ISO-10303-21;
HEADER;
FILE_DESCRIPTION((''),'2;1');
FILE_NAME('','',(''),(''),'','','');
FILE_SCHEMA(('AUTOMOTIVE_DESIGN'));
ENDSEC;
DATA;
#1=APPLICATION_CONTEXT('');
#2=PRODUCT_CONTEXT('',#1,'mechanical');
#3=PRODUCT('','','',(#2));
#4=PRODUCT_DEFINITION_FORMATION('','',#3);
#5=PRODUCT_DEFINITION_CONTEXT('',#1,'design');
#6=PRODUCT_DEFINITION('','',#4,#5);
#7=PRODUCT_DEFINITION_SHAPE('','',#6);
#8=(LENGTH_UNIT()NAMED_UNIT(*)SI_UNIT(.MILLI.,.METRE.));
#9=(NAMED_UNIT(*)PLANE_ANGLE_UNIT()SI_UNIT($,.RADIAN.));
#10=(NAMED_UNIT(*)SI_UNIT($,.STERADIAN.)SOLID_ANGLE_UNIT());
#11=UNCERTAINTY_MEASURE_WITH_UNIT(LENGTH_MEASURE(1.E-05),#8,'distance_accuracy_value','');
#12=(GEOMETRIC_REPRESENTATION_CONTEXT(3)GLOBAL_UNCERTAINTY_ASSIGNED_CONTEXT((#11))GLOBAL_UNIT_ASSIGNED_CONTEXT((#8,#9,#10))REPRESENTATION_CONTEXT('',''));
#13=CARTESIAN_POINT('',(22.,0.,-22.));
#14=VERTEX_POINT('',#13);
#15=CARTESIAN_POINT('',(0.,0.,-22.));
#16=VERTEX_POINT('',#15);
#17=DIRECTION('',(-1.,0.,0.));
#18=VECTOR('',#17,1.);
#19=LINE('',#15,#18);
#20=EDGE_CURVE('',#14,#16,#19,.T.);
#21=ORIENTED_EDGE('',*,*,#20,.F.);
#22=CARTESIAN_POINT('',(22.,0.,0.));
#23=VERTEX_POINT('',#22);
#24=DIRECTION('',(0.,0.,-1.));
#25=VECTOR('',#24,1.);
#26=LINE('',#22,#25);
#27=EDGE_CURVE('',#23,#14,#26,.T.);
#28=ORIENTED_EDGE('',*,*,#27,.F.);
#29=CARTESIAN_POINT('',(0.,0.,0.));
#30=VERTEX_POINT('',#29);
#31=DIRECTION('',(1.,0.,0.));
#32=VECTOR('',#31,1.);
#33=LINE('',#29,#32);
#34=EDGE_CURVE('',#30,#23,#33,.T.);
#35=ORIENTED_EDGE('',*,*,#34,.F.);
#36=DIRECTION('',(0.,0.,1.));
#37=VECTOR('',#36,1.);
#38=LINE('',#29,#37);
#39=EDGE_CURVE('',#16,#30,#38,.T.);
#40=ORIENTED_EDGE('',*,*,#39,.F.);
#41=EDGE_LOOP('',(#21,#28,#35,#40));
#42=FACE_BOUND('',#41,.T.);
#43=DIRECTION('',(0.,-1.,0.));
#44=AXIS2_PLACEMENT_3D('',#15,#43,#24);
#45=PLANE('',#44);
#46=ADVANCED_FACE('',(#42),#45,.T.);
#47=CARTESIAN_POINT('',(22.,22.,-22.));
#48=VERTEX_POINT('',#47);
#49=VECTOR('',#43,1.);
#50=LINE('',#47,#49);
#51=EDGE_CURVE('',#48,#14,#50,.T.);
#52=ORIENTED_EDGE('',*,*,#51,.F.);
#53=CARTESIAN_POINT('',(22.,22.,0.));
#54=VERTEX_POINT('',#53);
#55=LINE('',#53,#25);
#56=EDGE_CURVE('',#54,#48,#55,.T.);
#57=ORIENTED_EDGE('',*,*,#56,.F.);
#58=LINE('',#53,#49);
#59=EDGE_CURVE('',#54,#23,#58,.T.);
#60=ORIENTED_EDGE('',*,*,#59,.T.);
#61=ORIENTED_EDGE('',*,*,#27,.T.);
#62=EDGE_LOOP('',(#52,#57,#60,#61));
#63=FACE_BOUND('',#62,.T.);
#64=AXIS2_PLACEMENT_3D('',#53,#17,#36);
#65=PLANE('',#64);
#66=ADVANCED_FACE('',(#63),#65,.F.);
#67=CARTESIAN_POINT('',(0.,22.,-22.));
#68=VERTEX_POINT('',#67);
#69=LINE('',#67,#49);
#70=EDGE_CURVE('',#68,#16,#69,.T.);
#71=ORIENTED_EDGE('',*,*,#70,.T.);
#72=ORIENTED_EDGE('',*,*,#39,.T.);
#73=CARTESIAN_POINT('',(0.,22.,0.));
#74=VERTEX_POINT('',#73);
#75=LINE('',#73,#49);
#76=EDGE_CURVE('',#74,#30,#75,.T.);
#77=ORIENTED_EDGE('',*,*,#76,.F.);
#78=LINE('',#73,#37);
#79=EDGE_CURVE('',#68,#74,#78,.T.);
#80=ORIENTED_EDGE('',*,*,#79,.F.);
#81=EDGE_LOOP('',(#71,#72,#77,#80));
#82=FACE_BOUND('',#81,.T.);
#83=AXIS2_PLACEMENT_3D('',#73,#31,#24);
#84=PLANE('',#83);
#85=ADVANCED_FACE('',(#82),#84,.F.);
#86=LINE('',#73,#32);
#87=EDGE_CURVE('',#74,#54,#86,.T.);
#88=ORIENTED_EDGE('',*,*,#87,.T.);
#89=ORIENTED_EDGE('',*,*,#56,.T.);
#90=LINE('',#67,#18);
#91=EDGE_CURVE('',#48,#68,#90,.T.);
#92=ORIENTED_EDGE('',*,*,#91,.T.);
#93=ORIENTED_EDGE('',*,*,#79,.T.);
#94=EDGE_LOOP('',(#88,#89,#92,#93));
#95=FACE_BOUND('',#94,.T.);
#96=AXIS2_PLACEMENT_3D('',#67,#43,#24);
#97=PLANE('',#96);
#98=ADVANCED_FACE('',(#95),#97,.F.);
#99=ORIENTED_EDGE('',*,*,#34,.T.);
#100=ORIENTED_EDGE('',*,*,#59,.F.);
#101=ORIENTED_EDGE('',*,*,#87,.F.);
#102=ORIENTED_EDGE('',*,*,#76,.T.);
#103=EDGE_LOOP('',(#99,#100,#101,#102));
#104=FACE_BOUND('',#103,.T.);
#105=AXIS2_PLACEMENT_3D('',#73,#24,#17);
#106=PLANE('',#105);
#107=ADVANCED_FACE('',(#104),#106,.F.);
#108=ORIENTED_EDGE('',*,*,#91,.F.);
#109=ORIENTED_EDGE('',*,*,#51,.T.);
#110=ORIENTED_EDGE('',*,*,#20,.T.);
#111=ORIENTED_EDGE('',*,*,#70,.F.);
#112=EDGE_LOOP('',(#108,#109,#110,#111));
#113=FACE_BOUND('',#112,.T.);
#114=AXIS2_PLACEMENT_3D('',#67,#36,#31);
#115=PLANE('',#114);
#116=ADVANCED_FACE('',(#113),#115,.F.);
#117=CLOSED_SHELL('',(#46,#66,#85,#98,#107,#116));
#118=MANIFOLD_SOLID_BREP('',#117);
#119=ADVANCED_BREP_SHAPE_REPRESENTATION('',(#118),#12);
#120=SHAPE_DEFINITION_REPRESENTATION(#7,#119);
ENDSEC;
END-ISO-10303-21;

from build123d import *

# Parameters (mm, degrees)
ESQUISSE1_W      = 22
ESQUISSE1_H      = 22
EXTRUSION1_DEPTH = 22


with BuildPart() as part:
    # Esquisse1 → Extrusion1 (new body)
    with BuildSketch(Plane(origin=(0, 0, 0), x_dir=(1, 0, 0), z_dir=(0, 1, 0))):
        with Locations((11, 11)):
            Rectangle(ESQUISSE1_W, ESQUISSE1_H)
    extrude(amount=EXTRUSION1_DEPTH)


solid = part.part
